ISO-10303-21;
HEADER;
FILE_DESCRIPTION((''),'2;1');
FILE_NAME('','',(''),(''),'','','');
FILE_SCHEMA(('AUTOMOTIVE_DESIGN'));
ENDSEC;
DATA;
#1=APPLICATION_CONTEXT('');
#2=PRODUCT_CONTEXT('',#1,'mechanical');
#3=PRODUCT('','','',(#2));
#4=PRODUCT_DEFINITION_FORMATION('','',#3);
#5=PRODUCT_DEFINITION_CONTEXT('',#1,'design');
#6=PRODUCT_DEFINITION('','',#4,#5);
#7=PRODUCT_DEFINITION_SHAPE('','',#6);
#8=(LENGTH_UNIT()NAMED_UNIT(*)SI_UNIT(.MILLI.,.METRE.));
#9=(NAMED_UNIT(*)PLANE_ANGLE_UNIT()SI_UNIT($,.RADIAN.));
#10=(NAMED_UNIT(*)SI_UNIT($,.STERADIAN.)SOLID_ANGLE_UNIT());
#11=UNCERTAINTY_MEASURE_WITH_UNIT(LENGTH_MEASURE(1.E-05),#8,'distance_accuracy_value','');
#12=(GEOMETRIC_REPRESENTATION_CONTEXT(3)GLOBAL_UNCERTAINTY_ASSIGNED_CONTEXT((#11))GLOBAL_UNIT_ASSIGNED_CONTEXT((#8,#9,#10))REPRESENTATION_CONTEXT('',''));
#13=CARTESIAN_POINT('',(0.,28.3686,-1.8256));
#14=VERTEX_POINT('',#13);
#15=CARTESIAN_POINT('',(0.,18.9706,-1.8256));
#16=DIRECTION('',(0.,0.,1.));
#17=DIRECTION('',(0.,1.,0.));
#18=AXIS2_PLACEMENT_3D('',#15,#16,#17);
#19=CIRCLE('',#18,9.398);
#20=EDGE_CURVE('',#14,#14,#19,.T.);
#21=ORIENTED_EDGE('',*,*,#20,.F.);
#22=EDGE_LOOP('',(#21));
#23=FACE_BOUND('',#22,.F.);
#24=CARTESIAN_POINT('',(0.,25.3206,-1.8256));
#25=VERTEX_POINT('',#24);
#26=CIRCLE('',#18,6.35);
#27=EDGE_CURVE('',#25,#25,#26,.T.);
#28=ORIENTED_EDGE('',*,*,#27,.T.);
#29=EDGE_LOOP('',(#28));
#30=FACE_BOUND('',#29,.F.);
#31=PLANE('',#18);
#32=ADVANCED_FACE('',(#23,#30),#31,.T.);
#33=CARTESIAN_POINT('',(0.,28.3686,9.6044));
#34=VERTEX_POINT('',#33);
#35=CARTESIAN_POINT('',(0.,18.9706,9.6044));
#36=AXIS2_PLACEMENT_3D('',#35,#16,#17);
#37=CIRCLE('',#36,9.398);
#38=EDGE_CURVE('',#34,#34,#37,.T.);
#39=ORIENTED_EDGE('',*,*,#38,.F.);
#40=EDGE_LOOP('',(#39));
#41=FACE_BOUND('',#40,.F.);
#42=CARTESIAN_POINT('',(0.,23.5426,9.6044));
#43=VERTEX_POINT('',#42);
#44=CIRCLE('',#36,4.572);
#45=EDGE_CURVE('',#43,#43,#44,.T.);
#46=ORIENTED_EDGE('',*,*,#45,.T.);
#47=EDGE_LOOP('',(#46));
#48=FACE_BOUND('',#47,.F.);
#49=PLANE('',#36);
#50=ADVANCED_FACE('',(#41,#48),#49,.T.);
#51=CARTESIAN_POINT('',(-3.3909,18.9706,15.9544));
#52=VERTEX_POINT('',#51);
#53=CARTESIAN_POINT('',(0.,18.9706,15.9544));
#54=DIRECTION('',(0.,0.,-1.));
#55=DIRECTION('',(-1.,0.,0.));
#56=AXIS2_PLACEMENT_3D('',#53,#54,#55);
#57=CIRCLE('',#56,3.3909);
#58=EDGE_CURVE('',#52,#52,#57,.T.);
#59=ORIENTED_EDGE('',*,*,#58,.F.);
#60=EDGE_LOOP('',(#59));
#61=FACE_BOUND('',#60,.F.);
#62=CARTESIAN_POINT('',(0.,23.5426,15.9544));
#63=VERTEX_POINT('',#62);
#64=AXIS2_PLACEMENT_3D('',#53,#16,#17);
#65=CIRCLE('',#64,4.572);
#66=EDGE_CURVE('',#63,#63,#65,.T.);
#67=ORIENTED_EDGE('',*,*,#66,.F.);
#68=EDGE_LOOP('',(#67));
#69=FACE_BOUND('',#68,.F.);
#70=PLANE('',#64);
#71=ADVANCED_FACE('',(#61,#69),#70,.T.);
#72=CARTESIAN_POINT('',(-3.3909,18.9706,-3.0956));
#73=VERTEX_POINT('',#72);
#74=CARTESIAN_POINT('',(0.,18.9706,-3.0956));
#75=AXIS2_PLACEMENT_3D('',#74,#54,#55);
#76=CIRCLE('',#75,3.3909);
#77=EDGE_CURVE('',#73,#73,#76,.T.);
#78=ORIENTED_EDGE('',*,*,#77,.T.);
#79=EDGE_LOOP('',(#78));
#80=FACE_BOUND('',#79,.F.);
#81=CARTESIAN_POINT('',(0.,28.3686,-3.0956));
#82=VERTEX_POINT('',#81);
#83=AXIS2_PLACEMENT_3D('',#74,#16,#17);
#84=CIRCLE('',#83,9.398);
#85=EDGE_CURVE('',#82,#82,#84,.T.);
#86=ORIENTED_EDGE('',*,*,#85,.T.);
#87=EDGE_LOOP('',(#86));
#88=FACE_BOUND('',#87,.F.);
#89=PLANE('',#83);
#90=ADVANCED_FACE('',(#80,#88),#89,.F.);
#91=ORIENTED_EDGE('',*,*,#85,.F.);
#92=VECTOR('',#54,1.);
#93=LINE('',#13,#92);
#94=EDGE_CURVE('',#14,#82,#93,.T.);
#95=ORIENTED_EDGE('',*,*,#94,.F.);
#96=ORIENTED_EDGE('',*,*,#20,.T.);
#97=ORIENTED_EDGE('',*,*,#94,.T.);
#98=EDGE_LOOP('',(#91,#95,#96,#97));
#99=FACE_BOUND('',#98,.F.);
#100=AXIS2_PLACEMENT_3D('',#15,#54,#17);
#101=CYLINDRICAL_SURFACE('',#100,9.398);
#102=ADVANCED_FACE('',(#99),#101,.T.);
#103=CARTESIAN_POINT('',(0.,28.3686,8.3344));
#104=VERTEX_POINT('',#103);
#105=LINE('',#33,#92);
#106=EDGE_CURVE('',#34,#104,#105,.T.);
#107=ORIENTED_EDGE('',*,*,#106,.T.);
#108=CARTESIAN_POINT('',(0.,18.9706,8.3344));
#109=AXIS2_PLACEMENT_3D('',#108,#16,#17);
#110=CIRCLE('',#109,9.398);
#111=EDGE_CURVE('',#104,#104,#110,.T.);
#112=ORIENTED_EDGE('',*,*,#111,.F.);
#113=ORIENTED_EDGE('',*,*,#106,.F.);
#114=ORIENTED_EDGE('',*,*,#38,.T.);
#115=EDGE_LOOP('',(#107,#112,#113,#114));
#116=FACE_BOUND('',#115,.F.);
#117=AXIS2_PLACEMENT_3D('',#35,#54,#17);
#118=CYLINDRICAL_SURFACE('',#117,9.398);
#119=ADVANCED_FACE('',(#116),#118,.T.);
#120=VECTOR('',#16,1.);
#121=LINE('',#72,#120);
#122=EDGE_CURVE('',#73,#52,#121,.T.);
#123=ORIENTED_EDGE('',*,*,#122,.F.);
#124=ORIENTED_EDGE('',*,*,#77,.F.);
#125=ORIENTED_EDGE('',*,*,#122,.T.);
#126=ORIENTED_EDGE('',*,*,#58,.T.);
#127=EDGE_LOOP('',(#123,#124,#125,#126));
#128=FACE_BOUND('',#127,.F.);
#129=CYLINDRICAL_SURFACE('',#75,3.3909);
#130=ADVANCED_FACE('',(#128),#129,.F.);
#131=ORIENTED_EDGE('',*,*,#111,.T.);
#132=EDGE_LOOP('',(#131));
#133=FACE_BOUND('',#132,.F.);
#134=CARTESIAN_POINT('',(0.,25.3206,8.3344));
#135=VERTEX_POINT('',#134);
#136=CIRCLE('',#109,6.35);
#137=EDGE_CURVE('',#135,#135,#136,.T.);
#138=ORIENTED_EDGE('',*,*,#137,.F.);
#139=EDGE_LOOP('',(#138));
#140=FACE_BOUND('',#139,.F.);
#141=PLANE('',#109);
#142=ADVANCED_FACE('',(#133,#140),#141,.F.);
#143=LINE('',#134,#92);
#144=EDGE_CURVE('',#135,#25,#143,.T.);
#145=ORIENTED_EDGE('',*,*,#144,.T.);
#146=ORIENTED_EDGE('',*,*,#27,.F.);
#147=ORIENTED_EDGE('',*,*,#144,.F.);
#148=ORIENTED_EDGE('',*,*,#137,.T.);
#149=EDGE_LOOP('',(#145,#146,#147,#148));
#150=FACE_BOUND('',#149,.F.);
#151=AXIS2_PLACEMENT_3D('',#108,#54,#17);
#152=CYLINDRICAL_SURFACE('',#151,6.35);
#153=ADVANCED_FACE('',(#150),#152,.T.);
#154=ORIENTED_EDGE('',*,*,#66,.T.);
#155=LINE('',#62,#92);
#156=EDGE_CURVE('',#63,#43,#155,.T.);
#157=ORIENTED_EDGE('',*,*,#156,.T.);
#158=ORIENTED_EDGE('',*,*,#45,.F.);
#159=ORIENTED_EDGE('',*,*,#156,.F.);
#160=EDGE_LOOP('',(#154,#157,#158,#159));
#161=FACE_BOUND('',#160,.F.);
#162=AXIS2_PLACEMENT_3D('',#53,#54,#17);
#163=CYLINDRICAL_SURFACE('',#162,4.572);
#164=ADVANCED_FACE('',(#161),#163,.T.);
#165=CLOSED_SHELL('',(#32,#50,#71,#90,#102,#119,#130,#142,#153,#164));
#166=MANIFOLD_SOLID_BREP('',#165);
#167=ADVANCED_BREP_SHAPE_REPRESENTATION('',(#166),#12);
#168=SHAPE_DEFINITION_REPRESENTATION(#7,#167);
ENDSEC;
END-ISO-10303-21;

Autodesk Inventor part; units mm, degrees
ref_plane "YZ Plane" through (0, 0, 0) normal (1, 0, 0) x (0, 1, 0)
ref_plane "XZ Plane" through (0, 0, 0) normal (0, 1, 0) x (-1, 0, 0)
ref_plane "XY Plane" through (0, 0, 0) normal (0, 0, 1) x (1, 0, 0)
sketch "Sketch1" plane through (0, 0, 0) normal (1, 0, 0) x (0, 1, 0)
  line L0 (18.9706, -3.0956) -> (18.9706, 15.9544)
  line L1 (18.9706, 15.9544) -> (23.5426, 15.9544)
  line L2 (23.5426, 15.9544) -> (23.5426, 9.6044)
  line L3 (23.5426, 9.6044) -> (28.3686, 9.6044)
  line L4 (28.3686, 9.6044) -> (28.3686, 8.3344)
  line L5 (28.3686, 8.3344) -> (25.3206, 8.3344)
  line L6 (25.3206, 8.3344) -> (25.3206, -1.8256)
  line L7 (25.3206, -1.8256) -> (28.3686, -1.8256)
  line L8 (28.3686, -1.8256) -> (28.3686, -3.0956)
  line L9 (28.3686, -3.0956) -> (18.9706, -3.0956)
  point P0 (0, 0)
  dimension "d0" = 1.27
  dimension "d1" = 1.27
  dimension "d2" = 10.16
  dimension "d3" = 6.35
  dimension "d6" = 9.398
  dimension "d11" = 6.35
  dimension "d12" = 4.572
revolve "Revolution1" add sketch "Sketch1" angle 360 about axis through (0, 18.9706, -3.0956) along (0, 0, 1)
sketch "Sketch2" plane through (0, 18.9706, -3.0956) normal (0, 0, -1) x (-1, 0, 0)
  circle A0 centre (0, 0) radius 9.398 projected
  circle A1 centre (0, 0) radius 3.3909
  point P0 (0, -18.9706)
  dimension "d8" = 6.7818
extrude "Extrusion1" cut sketch "Sketch2" against normal blind 50.8 contours A1
properties part number "IdlePully"
